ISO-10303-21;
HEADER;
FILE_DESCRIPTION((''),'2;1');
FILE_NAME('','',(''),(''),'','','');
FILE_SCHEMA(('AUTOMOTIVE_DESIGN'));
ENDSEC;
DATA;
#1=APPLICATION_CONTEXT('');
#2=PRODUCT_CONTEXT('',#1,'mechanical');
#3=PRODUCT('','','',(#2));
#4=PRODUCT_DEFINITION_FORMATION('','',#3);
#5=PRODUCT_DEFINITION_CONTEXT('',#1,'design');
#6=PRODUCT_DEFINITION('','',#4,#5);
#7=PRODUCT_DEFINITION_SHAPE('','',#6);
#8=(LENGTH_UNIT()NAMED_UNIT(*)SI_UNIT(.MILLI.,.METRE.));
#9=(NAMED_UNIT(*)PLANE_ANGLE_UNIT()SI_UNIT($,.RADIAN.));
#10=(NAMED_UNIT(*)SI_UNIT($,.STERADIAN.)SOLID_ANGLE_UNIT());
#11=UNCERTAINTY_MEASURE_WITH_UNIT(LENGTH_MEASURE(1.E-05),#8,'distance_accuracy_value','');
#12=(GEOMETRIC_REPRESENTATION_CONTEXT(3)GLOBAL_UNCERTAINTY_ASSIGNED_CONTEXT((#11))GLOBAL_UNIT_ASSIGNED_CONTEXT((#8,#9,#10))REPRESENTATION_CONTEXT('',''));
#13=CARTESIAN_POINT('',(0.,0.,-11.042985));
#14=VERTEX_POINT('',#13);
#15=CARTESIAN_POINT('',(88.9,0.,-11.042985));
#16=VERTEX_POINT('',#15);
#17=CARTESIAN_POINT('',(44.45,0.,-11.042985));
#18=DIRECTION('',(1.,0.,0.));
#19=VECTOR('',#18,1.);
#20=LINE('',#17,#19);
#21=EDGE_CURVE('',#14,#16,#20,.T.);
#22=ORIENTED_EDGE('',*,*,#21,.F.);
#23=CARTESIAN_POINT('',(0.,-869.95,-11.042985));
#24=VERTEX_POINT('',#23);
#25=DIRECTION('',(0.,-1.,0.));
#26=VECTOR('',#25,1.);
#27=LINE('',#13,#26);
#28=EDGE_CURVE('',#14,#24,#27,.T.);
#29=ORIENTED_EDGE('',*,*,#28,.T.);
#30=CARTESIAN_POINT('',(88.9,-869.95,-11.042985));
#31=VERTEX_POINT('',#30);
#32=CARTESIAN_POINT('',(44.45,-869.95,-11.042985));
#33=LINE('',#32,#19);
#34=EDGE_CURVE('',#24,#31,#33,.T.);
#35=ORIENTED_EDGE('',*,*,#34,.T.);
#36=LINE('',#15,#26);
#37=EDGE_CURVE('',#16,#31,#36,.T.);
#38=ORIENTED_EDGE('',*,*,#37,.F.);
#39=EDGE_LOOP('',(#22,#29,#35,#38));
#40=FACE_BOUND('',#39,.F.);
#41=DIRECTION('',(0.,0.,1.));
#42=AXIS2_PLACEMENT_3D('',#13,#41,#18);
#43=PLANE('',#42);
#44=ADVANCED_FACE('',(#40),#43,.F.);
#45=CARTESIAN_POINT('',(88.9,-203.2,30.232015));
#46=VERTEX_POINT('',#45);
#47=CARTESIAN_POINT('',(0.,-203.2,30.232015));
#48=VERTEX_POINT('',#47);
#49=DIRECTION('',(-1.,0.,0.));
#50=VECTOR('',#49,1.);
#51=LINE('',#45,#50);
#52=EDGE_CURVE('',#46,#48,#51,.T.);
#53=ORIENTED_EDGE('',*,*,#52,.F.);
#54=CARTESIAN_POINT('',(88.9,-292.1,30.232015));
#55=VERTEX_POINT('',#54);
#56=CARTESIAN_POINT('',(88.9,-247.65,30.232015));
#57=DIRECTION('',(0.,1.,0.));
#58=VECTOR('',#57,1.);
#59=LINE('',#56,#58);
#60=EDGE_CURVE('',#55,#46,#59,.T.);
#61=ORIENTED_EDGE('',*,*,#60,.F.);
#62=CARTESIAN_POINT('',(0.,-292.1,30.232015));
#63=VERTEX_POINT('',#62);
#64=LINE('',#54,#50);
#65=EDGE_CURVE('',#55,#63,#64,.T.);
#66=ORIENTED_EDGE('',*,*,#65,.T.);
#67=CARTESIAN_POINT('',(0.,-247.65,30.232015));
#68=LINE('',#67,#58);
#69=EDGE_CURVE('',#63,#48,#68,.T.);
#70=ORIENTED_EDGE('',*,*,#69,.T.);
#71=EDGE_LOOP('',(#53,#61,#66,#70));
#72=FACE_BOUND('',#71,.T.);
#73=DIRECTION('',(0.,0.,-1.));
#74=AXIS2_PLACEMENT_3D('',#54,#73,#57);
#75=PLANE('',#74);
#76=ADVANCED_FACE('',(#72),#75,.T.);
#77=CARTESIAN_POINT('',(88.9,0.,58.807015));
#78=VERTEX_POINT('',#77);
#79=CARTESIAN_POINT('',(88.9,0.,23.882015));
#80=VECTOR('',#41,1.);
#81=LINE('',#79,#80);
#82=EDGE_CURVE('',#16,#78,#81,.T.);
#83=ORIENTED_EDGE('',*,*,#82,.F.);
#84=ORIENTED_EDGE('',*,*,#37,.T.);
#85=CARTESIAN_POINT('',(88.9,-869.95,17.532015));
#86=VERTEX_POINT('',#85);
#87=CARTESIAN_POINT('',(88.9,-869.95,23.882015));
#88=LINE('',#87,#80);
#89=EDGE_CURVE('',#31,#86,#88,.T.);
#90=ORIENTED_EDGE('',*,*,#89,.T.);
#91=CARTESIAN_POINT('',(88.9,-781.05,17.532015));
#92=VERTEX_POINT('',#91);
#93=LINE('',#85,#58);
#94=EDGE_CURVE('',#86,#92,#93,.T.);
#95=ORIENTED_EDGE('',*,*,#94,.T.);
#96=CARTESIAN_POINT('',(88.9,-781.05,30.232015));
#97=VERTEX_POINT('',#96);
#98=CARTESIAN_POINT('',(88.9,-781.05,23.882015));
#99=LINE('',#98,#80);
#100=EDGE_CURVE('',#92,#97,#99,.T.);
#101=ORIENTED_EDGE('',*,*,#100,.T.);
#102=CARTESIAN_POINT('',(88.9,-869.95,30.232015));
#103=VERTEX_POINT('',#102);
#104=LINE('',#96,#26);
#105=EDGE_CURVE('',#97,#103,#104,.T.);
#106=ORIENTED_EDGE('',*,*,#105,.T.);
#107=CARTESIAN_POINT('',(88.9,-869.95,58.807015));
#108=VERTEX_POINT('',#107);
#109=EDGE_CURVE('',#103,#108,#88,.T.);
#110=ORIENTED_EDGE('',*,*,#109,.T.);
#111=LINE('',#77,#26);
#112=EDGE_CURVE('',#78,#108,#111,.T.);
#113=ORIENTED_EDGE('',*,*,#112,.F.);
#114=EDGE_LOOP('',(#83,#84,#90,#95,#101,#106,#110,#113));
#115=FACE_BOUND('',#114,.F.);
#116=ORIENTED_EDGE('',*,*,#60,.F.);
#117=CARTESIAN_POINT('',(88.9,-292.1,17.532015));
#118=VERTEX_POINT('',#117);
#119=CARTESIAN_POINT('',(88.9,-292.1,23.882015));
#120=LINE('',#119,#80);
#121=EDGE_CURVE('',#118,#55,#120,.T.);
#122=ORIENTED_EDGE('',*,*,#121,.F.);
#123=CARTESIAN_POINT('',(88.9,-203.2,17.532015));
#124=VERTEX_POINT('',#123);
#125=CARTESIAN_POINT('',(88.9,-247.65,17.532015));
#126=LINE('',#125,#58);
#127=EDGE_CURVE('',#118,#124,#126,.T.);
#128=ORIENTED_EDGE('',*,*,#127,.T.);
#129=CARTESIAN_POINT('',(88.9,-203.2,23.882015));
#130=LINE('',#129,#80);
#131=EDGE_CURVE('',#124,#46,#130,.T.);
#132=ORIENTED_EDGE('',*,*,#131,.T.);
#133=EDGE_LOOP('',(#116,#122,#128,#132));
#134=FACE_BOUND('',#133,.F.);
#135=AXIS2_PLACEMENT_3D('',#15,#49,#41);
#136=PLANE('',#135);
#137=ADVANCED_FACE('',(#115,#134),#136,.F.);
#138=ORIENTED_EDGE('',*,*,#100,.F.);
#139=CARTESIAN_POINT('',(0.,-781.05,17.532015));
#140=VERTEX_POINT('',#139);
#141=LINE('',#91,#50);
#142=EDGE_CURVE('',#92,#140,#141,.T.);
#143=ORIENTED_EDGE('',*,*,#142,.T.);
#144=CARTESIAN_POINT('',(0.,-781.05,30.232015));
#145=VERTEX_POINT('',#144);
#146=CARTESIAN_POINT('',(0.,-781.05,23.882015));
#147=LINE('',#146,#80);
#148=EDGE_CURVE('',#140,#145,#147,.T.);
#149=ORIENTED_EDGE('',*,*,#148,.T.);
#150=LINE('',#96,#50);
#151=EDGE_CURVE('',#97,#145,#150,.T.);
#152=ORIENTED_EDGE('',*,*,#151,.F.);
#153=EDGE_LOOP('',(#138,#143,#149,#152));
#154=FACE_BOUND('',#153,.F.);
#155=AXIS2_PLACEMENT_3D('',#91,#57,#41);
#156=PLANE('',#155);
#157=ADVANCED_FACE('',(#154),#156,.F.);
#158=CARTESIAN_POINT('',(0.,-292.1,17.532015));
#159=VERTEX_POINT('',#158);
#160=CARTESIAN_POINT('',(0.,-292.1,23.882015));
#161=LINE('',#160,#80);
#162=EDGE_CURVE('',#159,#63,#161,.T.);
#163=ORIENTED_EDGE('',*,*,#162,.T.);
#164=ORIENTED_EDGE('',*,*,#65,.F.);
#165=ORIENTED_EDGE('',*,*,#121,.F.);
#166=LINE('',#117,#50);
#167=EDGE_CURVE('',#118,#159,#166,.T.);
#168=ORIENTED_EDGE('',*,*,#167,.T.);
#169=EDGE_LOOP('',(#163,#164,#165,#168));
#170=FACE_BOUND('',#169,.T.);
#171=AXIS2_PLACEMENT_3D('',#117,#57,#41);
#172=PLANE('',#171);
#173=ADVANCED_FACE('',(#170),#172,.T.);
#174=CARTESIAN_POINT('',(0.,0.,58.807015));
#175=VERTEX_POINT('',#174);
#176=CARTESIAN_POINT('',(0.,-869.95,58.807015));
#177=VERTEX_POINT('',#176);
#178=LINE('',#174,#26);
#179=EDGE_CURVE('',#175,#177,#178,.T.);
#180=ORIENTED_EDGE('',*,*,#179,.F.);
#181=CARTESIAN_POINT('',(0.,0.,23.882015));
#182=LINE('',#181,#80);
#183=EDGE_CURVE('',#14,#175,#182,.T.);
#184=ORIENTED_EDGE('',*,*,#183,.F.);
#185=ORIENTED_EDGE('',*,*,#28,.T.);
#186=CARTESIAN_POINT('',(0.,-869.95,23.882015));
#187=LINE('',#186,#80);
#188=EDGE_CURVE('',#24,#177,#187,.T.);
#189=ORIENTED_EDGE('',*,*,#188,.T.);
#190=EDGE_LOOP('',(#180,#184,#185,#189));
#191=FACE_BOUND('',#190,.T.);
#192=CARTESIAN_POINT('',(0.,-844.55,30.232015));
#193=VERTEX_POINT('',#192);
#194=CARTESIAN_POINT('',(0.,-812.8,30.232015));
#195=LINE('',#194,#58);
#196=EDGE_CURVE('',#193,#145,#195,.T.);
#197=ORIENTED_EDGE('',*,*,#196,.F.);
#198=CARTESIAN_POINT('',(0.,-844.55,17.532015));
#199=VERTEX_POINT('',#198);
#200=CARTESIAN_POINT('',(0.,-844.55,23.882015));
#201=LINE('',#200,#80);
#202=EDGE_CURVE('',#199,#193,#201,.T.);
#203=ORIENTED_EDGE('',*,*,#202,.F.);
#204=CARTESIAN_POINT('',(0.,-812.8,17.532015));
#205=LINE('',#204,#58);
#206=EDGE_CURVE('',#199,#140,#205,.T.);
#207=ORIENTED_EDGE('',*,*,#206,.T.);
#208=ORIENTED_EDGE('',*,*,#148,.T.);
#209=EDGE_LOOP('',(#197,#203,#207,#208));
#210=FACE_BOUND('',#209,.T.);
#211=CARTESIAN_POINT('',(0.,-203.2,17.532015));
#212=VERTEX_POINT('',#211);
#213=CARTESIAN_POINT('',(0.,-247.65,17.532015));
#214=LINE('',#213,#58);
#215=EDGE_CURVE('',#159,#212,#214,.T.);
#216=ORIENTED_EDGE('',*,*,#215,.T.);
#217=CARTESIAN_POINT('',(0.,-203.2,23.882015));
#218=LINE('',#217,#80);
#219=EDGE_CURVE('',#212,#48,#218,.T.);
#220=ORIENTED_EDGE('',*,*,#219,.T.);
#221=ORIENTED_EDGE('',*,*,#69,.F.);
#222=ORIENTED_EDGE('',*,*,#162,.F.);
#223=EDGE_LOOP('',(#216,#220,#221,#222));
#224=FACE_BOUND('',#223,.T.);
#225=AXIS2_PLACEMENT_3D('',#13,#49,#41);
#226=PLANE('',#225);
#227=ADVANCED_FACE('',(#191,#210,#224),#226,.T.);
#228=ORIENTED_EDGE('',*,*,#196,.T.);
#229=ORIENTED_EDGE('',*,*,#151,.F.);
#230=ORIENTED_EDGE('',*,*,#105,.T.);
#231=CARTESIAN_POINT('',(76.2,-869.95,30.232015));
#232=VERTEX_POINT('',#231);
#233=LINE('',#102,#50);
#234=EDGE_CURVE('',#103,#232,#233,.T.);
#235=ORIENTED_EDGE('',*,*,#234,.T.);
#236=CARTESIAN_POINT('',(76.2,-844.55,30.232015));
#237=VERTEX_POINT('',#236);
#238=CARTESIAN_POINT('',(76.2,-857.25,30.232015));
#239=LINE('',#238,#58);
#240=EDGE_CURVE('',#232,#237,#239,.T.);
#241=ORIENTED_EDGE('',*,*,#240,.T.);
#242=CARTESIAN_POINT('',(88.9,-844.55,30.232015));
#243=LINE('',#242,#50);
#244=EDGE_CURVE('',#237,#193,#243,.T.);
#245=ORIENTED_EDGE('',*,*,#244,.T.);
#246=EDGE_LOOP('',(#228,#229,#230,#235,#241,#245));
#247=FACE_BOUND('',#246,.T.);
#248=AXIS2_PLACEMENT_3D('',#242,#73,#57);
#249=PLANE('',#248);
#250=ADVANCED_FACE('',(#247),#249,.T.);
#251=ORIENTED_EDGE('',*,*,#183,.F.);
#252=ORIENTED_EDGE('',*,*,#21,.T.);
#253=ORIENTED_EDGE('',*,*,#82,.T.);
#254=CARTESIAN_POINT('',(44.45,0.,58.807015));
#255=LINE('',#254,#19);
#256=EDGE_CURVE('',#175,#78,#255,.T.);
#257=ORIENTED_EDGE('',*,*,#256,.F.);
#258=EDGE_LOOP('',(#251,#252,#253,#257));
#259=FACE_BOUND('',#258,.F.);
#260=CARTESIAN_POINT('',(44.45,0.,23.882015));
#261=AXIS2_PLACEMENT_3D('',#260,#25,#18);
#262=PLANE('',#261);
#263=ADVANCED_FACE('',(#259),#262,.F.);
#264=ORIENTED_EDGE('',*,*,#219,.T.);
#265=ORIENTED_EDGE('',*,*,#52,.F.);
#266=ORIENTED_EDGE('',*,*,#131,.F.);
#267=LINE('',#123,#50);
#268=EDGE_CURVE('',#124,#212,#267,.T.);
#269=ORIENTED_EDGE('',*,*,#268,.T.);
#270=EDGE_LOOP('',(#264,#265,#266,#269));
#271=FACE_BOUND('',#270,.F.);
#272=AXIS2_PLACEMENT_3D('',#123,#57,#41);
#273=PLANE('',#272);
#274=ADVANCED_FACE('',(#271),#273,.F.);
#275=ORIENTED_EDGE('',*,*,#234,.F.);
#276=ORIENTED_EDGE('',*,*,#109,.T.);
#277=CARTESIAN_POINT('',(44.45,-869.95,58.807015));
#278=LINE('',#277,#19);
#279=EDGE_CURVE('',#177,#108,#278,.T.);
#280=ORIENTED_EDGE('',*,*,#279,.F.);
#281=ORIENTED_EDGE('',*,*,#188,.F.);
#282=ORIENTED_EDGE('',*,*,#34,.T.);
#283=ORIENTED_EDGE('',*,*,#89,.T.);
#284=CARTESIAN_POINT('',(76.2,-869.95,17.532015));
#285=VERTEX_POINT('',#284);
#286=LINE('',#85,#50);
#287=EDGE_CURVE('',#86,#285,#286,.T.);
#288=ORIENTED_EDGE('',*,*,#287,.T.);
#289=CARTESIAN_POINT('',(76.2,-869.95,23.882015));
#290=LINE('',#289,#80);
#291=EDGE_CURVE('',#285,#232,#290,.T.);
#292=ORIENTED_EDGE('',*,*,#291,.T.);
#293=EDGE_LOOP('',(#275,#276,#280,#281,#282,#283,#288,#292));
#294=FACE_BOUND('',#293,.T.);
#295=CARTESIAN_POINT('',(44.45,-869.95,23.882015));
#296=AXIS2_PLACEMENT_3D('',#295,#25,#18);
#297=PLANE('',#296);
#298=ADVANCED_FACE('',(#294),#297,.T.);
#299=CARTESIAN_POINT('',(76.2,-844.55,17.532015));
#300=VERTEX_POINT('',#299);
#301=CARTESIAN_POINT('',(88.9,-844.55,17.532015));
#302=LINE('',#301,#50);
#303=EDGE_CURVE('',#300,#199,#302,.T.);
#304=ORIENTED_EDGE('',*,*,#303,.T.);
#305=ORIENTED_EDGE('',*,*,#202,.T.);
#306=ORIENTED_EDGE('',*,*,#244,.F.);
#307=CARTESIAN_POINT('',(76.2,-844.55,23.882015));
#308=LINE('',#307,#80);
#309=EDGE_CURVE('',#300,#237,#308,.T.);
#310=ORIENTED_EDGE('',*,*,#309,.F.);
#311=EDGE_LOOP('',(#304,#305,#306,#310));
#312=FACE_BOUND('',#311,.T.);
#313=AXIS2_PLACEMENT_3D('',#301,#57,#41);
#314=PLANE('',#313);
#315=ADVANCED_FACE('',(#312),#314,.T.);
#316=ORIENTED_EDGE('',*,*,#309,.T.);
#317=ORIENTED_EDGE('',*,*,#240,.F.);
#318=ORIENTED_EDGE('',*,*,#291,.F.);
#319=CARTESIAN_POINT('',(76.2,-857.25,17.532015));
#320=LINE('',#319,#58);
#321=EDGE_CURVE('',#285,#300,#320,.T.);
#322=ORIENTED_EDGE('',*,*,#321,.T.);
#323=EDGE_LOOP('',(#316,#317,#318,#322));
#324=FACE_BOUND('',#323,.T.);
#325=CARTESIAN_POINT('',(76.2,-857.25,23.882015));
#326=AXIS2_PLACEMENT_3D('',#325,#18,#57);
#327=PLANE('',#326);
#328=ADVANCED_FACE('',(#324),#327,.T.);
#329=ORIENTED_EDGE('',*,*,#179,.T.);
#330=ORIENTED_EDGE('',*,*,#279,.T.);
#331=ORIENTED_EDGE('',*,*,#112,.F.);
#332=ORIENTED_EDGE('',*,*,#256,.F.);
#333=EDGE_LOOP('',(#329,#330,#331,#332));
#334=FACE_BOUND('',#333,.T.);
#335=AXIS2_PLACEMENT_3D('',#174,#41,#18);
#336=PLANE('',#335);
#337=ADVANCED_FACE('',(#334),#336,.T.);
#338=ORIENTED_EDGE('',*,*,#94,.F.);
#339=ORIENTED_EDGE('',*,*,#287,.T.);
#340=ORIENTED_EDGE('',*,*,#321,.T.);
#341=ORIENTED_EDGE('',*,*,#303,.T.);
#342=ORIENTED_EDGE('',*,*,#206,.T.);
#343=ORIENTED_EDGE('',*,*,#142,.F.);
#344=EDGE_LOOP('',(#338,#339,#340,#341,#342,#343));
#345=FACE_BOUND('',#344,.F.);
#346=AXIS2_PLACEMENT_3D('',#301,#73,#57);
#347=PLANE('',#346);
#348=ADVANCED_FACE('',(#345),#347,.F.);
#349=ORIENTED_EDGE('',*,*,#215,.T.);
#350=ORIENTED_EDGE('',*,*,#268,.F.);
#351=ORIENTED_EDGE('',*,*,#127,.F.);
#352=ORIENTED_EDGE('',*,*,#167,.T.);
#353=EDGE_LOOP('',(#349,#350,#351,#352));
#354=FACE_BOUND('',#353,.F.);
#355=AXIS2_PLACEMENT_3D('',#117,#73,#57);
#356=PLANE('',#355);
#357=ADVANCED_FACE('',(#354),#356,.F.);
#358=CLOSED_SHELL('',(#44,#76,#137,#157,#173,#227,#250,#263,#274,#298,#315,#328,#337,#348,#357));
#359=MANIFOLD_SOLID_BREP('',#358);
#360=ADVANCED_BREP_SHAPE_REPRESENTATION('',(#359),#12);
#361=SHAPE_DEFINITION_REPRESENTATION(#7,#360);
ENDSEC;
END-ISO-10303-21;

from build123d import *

# Parameters (mm, degrees)
F0_W     = 88.9
F0_H     = 69.85
F1_DEPTH = 869.95
F2_W     = 25.4
F2_H     = 12.7
F3_DEPTH = 12.7
F4_W     = 63.5
F4_H     = 12.7
F5_DEPTH = 88.9
F6_W     = 88.9
F6_H     = 12.7
F7_DEPTH = 88.9


with BuildPart() as f1:
    # F0 (on Front) → F1 (new body)
    with BuildSketch(Plane.XZ):
        with Locations((44.45, 23.882015)):
            Rectangle(F0_W, F0_H)
    extrude(amount=F1_DEPTH)

    # F2 (on face) → F3 (cut)
    with BuildSketch(Plane.YZ.offset(88.9)):
        with Locations((-857.25, 23.882015)):
            Rectangle(F2_W, F2_H)
    extrude(amount=-F3_DEPTH, mode=Mode.SUBTRACT)

    # F4 (on face) → F5 (cut, through all)
    with BuildSketch(Plane.YZ.offset(88.9)):
        with Locations((-812.8, 23.882015)):
            Rectangle(F4_W, F4_H)
    extrude(amount=-F5_DEPTH, mode=Mode.SUBTRACT)

    # F6 (on face) → F7 (cut, through all)
    with BuildSketch(Plane.YZ.offset(88.9)):
        with Locations((-247.65, 23.882015)):
            Rectangle(F6_W, F6_H)
    extrude(amount=-F7_DEPTH, mode=Mode.SUBTRACT)


solid = f1.part
